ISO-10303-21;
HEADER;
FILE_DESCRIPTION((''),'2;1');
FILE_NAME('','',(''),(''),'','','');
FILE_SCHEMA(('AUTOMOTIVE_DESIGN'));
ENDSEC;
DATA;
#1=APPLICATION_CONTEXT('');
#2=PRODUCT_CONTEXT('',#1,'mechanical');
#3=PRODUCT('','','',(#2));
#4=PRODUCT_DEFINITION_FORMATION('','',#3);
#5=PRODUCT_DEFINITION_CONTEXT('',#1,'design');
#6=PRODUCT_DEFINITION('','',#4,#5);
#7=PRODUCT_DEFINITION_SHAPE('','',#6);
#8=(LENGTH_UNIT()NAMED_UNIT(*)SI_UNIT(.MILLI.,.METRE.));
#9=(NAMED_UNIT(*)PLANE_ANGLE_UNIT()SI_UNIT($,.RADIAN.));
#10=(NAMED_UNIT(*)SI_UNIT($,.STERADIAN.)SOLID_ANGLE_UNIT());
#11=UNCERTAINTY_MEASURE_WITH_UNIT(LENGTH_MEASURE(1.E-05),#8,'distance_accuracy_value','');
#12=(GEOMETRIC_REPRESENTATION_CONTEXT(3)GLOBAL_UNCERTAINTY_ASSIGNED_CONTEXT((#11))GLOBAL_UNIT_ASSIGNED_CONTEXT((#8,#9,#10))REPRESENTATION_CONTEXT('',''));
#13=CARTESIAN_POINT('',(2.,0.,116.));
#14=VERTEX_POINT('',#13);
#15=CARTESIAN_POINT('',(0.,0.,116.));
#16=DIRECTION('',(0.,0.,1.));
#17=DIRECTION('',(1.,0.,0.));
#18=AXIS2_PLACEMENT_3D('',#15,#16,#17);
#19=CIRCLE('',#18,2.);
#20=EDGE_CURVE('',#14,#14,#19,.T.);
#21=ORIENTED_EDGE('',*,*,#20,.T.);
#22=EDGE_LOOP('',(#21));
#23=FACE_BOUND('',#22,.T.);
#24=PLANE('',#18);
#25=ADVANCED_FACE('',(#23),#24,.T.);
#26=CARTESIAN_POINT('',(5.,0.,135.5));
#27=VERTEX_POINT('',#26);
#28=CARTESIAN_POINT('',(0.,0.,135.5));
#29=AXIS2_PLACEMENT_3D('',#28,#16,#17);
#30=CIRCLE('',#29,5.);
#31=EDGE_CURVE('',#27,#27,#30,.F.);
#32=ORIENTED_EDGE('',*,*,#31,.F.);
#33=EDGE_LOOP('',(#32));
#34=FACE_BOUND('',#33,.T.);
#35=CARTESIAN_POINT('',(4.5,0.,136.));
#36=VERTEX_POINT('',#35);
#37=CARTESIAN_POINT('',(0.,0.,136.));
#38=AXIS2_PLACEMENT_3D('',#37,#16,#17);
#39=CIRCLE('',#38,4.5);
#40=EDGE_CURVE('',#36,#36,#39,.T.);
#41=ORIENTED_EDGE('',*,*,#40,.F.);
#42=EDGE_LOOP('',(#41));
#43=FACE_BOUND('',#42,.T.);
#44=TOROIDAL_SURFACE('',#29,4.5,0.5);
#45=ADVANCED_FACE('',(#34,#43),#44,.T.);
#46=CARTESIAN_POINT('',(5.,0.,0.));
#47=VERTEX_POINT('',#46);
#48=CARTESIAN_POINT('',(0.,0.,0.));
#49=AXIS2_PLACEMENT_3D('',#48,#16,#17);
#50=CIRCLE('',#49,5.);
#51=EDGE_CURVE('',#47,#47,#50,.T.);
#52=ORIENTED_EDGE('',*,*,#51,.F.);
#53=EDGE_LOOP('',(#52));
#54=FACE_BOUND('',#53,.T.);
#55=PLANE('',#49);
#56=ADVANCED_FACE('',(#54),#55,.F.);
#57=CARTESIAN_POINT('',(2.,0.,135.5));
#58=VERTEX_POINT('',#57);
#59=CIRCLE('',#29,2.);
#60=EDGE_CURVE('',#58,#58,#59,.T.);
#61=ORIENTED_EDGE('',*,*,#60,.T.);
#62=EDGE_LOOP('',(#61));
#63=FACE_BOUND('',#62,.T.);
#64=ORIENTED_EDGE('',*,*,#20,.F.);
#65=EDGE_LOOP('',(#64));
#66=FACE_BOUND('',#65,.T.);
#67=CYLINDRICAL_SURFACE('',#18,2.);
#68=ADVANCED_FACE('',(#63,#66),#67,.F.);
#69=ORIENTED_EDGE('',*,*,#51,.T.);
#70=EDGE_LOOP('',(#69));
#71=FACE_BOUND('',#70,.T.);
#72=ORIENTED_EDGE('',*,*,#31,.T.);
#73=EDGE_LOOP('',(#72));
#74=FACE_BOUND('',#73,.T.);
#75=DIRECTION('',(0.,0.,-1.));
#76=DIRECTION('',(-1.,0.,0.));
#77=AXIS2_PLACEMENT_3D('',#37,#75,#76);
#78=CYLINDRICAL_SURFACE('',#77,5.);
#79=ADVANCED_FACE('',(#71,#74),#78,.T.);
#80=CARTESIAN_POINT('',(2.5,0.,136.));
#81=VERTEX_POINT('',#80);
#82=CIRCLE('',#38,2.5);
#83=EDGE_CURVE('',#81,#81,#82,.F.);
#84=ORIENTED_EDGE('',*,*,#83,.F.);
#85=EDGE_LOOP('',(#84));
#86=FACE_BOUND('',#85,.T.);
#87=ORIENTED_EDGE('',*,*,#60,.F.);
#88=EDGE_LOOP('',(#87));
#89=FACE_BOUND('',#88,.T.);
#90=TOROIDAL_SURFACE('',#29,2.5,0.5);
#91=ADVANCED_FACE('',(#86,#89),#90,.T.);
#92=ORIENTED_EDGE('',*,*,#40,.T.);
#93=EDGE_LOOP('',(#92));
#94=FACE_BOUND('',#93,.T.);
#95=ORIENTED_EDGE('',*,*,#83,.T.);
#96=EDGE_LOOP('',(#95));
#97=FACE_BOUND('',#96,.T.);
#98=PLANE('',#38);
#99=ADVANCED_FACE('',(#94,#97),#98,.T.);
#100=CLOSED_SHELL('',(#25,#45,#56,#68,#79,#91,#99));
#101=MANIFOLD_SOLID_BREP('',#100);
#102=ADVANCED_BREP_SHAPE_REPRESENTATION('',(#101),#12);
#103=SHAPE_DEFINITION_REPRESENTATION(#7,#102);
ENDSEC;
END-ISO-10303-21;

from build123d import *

# Parameters (mm, degrees)
SKETCH1_R           = 5
BOSS_EXTRUDE1_DEPTH = 136
SKETCH2_R           = 2
CUT_EXTRUDE1_DEPTH  = 20
FILLET1_R           = 0.5
FILLET2_R           = 0.5


with BuildPart() as part:
    # Sketch1 → Boss-Extrude1 (new body)
    with BuildSketch(Plane.XY):
        Circle(SKETCH1_R)
    extrude(amount=BOSS_EXTRUDE1_DEPTH)

    # Sketch2 → Cut-Extrude1 (cut)
    with BuildSketch(Plane.XY.offset(136)):
        Circle(SKETCH2_R)
    extrude(amount=-CUT_EXTRUDE1_DEPTH, mode=Mode.SUBTRACT)

    # Fillet1
    fillet1_edges = [part.edges().sort_by_distance(p)[0] for p in [
        (-5, 0, 136),
    ]]
    fillet(fillet1_edges, radius=FILLET1_R)

    # Fillet2
    fillet2_edges = [part.edges().sort_by_distance(p)[0] for p in [
        (-2, 0, 136),
    ]]
    fillet(fillet2_edges, radius=FILLET2_R)


solid = part.part
